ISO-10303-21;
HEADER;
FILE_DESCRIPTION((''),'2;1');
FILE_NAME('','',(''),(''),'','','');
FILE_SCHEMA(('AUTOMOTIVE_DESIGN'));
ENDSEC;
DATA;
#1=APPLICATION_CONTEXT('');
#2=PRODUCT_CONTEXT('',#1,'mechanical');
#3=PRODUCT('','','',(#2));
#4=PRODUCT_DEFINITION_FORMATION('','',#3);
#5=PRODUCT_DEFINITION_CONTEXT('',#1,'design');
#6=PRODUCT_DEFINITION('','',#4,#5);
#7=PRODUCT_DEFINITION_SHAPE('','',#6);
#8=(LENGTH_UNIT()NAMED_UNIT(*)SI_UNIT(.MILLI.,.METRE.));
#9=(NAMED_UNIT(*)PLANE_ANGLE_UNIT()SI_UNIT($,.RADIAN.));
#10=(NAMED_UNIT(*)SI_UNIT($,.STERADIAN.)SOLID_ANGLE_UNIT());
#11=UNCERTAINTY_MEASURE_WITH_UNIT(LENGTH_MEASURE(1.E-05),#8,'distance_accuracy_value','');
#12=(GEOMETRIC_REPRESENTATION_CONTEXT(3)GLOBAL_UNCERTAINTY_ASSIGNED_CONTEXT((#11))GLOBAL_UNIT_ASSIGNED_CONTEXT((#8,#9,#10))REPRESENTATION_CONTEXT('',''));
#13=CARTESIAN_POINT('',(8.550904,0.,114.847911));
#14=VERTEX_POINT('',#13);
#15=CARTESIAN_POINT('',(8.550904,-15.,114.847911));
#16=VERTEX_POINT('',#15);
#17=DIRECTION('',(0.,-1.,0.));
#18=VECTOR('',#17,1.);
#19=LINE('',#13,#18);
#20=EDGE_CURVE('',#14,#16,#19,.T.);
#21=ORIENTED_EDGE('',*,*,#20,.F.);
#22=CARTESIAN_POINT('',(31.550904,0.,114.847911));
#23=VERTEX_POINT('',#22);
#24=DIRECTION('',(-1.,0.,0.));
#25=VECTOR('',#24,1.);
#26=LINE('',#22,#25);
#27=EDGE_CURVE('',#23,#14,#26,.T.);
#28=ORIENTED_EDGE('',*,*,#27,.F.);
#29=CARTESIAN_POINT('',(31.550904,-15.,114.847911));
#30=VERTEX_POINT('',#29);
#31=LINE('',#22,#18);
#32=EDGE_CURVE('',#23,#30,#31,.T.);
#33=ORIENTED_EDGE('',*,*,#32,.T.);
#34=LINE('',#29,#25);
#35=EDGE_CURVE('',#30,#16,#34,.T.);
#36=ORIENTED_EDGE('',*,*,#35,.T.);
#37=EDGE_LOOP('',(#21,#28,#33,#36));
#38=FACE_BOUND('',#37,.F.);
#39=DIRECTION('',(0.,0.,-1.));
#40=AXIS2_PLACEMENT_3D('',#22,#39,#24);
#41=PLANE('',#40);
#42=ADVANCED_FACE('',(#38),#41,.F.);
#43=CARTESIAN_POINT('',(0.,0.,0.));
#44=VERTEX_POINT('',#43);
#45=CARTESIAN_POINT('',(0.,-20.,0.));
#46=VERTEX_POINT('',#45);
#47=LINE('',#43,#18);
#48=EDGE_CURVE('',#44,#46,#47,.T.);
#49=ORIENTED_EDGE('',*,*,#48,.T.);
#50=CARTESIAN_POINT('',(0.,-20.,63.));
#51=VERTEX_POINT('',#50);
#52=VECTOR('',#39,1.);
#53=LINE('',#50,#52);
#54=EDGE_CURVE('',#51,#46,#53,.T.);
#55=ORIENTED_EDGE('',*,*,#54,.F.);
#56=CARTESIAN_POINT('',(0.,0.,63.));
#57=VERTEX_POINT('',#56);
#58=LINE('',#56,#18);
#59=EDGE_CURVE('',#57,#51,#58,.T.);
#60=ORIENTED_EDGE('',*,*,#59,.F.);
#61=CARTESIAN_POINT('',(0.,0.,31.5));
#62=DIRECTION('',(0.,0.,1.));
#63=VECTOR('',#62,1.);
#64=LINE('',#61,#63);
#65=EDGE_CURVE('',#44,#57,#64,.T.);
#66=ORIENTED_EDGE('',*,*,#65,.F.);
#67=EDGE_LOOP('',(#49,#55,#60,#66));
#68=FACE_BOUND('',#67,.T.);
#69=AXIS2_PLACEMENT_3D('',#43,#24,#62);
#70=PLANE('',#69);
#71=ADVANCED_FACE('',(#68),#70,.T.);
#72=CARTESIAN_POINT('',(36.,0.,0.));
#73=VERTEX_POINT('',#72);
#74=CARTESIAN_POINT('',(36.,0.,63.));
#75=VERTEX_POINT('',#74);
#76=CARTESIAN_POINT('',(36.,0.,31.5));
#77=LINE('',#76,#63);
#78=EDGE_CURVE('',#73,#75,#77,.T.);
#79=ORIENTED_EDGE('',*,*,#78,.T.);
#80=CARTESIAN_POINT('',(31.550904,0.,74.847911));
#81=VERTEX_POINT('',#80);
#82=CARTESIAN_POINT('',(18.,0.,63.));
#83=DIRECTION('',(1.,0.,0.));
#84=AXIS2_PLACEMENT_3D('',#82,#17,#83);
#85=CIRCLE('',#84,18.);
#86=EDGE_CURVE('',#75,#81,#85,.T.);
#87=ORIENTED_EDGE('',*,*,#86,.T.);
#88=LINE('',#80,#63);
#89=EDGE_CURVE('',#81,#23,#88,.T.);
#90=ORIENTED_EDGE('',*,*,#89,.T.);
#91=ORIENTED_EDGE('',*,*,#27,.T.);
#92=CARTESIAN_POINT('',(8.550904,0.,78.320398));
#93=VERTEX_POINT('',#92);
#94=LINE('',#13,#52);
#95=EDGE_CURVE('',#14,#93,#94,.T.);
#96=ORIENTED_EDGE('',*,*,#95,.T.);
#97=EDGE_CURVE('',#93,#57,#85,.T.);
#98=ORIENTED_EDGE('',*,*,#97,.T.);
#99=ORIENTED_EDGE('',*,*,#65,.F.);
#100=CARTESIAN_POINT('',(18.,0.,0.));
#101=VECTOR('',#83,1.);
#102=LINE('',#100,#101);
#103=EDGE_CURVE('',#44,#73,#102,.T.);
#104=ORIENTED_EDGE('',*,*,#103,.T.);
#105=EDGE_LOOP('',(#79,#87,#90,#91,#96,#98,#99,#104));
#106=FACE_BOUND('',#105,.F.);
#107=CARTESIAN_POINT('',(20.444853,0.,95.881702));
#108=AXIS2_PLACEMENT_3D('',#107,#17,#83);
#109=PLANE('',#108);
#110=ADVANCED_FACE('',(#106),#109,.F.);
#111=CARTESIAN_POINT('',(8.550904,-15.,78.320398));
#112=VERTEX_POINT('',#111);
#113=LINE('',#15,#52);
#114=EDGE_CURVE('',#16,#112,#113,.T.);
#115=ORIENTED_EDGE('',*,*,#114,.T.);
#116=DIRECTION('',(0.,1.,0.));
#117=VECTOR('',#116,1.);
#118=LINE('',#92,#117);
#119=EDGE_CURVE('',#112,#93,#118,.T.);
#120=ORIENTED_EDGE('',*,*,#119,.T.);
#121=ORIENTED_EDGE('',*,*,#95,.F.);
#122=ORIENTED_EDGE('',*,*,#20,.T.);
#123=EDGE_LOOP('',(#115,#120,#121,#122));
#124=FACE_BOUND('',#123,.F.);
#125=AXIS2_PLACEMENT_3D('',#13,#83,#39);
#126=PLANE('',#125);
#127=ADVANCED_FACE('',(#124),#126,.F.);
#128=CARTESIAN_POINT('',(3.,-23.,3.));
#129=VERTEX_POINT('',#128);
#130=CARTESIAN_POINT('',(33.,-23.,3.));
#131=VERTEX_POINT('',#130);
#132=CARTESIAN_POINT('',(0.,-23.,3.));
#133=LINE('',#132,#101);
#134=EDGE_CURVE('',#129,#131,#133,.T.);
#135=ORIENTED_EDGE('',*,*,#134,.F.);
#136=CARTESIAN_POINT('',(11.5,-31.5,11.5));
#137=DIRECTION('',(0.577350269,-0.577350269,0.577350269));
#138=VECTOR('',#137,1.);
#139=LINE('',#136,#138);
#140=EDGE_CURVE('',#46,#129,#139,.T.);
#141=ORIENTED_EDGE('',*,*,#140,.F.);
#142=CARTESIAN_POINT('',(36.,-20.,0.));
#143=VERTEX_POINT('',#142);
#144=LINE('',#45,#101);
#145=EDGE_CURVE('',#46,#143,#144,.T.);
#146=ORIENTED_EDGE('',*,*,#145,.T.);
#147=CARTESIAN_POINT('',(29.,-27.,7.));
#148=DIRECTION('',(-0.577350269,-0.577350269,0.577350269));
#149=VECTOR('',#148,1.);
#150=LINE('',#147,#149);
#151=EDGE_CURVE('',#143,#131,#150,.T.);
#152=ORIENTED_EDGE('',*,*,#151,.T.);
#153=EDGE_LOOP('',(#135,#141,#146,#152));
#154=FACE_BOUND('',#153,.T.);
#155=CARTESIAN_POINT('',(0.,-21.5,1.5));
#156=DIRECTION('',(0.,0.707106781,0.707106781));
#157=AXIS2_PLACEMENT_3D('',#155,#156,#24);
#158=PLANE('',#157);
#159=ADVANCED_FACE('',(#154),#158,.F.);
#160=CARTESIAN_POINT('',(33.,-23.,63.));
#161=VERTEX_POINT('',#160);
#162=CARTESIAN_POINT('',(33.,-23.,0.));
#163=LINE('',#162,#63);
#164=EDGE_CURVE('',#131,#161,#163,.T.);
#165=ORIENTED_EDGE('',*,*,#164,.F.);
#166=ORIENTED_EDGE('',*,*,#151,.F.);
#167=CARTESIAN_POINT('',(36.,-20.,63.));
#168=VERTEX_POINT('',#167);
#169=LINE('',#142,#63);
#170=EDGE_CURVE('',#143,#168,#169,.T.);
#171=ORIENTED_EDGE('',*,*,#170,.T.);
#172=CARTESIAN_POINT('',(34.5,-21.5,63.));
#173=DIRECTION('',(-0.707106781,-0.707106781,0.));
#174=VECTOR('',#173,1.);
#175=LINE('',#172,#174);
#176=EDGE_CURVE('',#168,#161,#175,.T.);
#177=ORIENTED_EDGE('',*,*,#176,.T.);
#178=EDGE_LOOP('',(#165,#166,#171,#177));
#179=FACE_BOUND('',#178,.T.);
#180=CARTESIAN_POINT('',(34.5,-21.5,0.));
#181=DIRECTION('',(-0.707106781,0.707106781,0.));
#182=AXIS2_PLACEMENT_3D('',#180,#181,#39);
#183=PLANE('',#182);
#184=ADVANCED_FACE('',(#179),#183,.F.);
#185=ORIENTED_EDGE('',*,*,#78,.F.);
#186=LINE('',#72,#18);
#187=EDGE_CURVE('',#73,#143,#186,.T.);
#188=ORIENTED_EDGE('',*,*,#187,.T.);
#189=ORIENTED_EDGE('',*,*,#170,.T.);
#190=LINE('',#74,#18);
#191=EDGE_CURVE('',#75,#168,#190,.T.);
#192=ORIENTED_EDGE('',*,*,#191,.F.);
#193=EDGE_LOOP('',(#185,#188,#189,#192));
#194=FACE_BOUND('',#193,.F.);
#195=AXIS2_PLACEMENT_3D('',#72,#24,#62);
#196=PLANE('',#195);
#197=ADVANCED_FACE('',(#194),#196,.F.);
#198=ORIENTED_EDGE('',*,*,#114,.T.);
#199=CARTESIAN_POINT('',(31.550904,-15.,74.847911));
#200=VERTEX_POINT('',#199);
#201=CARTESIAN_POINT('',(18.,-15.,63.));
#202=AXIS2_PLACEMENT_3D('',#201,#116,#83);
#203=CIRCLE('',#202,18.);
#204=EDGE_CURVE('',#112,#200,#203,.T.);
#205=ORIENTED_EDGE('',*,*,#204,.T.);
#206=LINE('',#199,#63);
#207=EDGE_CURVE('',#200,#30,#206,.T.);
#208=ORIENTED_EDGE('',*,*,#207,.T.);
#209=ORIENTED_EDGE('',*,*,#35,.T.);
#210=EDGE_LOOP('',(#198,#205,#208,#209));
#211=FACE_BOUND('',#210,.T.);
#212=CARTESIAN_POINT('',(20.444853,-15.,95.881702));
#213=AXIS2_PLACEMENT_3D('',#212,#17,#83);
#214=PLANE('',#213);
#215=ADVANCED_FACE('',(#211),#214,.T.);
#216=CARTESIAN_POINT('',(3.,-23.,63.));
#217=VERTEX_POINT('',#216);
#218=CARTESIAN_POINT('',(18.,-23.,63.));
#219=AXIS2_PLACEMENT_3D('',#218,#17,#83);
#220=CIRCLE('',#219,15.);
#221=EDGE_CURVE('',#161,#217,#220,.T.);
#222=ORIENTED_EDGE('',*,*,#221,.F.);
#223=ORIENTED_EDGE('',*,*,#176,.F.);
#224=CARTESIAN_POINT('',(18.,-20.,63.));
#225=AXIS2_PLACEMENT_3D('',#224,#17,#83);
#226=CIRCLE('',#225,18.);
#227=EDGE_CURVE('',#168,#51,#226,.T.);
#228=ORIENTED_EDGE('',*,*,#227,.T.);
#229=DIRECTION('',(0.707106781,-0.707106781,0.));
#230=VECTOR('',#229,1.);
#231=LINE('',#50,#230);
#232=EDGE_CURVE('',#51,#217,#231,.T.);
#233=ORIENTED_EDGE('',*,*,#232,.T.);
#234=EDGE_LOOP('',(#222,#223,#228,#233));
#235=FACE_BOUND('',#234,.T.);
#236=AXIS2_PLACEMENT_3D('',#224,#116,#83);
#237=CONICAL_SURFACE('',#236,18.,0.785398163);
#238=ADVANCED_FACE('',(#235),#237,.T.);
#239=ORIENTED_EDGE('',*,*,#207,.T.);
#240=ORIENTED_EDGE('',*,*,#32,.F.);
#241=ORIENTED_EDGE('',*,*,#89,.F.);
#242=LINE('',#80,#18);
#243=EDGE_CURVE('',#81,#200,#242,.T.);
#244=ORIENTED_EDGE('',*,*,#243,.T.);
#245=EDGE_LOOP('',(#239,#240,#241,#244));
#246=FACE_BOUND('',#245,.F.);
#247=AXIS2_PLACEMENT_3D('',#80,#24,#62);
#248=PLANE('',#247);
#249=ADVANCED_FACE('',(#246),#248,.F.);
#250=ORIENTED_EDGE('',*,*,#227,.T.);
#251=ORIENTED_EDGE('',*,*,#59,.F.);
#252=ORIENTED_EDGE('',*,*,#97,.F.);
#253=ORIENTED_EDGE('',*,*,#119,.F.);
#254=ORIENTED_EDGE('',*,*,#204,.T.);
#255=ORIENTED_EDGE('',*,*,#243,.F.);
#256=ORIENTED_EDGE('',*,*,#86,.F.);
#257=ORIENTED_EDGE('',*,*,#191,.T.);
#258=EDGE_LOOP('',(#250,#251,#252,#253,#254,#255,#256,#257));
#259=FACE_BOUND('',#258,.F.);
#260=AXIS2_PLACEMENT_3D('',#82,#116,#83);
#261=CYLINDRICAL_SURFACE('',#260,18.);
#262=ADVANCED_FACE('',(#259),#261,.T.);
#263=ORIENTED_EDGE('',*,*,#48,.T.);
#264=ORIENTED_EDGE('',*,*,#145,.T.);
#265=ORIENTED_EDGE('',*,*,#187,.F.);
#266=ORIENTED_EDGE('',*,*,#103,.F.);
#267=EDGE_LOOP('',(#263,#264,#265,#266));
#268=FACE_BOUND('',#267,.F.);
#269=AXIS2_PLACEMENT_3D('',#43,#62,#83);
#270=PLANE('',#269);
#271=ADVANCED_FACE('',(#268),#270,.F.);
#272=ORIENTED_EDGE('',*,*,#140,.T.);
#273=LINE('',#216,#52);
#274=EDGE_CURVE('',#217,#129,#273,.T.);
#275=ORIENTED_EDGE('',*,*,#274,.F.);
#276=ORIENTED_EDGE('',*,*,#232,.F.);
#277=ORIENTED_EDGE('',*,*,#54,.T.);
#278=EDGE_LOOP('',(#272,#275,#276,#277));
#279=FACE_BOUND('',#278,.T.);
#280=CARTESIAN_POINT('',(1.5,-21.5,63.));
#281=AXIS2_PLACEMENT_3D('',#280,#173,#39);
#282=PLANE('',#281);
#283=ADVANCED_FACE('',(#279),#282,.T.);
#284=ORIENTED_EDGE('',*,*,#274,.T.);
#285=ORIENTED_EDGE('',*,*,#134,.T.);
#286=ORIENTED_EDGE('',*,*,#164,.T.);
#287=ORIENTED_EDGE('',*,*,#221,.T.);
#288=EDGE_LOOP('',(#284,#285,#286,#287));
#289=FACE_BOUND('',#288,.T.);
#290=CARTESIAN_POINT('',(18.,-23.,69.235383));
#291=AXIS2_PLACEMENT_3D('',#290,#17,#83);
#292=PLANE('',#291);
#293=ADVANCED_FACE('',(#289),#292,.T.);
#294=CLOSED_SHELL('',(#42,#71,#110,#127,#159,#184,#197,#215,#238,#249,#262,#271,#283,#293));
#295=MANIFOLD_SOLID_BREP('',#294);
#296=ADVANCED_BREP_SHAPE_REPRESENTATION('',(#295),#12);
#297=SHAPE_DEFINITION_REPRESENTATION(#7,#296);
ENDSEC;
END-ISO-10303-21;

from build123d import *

# Parameters (mm, degrees)
F0_W     = 36
F0_H     = 63
F1_DEPTH = 23
F2_SIZE  = 3
F4_DEPTH = 15


with BuildPart() as f1:
    # F0 (on Front) → F1 (new body)
    with BuildSketch(Plane.XZ):
        with BuildLine():
            ThreePointArc((36, 63), (18, 81), (0, 63))
            Line((0, 63), (36, 63))
        make_face()
        with Locations((18, 31.5)):
            Rectangle(F0_W, F0_H)
    extrude(amount=F1_DEPTH)

    # F2
    f2_edges = [f1.edges().sort_by_distance(p)[0] for p in [
        (18, -23, 81),
        (0, -23, 31.5),
        (18, -23, 0),
        (36, -23, 31.5),
    ]]
    chamfer(f2_edges, length=F2_SIZE)

    # F3 (on Front) → F4 (join)
    with BuildSketch(Plane.XZ):
        with BuildLine():
            ThreePointArc((8.550904, 78.320398), (9.400963, 78.813177), (10.276645, 79.258837))
            ThreePointArc((10.276645, 79.258837), (21.654333, 80.625148), (31.550904, 74.847911))
            Line((31.550904, 74.847911), (31.550904, 114.847911))
            Line((31.550904, 114.847911), (8.550904, 114.847911))
            Line((8.550904, 114.847911), (8.550904, 78.320398))
        make_face()
        with BuildLine():
            ThreePointArc((31.550904, 74.847911), (21.654333, 80.625148), (10.276645, 79.258837))
            ThreePointArc((10.276645, 79.258837), (9.400963, 78.813177), (8.550904, 78.320398))
            Line((8.550904, 78.320398), (8.550904, 74.847911))
            Line((8.550904, 74.847911), (31.550904, 74.847911))
        make_face()
    extrude(amount=F4_DEPTH)


solid = f1.part
